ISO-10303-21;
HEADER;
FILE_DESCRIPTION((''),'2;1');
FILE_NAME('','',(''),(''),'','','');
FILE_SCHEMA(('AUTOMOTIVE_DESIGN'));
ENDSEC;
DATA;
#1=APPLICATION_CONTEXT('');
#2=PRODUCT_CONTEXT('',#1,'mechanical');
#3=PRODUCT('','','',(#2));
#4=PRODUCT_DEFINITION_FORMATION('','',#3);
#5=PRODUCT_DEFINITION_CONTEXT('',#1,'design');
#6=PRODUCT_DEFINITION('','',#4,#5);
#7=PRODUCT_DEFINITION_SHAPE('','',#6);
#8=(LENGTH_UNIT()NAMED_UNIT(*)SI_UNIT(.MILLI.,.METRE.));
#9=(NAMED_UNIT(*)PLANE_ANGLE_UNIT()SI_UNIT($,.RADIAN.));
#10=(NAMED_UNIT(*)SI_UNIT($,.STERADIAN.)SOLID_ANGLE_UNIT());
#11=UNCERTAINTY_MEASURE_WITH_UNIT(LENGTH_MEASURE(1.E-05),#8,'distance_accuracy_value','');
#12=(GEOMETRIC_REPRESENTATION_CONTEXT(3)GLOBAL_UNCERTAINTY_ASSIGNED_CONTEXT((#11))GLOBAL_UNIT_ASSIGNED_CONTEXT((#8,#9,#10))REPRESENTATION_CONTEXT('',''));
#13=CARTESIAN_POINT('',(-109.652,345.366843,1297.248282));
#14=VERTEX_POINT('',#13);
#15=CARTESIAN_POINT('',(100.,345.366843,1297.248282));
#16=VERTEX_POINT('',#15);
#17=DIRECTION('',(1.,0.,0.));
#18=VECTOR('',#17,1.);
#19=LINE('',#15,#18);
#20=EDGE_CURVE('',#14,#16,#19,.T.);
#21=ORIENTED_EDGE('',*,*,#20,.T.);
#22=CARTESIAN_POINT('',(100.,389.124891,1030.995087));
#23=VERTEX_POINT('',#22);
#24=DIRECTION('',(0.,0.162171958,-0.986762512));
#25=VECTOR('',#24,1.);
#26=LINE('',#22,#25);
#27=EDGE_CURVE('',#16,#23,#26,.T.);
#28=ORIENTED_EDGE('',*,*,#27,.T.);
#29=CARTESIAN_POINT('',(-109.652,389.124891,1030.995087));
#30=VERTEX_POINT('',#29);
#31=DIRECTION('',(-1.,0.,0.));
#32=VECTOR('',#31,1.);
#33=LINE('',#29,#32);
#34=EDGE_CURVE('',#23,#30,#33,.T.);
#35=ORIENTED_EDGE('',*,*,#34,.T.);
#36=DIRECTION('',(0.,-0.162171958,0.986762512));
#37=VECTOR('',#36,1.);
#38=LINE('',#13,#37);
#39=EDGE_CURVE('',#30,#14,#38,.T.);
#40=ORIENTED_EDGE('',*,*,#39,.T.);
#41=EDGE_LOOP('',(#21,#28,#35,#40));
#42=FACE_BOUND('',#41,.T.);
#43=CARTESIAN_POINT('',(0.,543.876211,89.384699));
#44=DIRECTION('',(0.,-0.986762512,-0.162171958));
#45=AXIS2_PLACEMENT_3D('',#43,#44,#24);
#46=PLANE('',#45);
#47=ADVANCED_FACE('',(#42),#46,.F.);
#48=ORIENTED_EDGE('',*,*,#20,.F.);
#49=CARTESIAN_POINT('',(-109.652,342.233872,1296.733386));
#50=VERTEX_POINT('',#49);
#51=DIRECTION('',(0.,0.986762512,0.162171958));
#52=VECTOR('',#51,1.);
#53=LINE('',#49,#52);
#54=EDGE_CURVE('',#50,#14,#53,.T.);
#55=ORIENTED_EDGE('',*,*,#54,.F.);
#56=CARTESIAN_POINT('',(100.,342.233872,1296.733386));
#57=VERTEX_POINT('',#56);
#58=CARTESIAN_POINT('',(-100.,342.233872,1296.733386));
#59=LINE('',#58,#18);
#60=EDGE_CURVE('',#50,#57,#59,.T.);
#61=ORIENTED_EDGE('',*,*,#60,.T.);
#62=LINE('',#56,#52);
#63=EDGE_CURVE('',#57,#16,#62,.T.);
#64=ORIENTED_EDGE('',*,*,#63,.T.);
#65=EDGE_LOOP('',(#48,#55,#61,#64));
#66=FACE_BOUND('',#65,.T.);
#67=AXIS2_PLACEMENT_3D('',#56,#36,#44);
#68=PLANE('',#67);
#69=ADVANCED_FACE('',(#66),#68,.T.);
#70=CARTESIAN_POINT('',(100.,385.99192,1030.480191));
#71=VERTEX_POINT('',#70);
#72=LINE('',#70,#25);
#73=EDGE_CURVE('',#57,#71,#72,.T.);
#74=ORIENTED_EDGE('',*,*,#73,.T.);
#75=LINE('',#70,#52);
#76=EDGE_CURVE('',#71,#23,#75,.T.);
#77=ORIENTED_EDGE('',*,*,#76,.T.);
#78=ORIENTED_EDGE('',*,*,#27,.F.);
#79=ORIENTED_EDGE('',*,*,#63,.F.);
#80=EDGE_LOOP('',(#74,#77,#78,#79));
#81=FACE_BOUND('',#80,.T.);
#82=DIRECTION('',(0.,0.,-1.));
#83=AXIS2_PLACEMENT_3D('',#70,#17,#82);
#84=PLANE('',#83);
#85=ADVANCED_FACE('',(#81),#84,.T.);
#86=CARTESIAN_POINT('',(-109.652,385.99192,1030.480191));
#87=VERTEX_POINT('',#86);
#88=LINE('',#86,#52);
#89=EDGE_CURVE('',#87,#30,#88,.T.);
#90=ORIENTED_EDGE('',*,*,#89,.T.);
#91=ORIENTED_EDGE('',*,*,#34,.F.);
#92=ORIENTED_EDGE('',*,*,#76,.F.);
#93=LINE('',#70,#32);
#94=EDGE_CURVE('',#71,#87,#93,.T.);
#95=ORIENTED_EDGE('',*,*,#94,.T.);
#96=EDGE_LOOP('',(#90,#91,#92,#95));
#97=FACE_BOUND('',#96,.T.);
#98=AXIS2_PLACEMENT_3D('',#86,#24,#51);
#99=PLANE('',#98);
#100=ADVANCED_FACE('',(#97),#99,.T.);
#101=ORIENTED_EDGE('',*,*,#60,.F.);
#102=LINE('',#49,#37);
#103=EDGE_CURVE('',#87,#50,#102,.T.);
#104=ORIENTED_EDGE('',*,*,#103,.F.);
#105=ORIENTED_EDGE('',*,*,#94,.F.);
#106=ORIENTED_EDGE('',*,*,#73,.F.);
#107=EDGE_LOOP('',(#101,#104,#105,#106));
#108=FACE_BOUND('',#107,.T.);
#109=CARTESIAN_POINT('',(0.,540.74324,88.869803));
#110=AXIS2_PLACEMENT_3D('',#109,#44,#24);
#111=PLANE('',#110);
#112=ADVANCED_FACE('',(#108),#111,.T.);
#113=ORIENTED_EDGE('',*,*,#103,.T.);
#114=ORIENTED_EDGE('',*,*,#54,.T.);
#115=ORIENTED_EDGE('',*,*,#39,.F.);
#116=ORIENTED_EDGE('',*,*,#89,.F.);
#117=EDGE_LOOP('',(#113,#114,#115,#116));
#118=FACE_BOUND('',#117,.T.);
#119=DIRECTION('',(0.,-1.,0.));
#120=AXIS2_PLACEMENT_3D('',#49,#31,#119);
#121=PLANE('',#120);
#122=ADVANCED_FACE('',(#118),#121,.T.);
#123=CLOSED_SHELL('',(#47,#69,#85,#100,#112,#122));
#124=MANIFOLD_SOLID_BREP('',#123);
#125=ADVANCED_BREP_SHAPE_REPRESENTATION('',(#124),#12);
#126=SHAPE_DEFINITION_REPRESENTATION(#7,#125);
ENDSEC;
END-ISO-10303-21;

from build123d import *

# Parameters (mm, degrees)
BOSS_EXTRUDE1_DEPTH = 3.175


with BuildPart() as part:
    # Sketch1 → Boss-Extrude1 (new body)
    with BuildSketch(Plane(origin=(0, 543.876210596, 89.384698965), x_dir=(1, 0, 0), z_dir=(0, 0.9867625124381899, 0.16217195826242994))):
        Polygon((100, -954.242157057), (-100, -954.242157057), (-109.652, -954.242157057), (-109.652, -1224.067157157), (-100, -1224.067157157), (100, -1224.067157157), align=None)
    extrude(amount=-BOSS_EXTRUDE1_DEPTH)


solid = part.part
